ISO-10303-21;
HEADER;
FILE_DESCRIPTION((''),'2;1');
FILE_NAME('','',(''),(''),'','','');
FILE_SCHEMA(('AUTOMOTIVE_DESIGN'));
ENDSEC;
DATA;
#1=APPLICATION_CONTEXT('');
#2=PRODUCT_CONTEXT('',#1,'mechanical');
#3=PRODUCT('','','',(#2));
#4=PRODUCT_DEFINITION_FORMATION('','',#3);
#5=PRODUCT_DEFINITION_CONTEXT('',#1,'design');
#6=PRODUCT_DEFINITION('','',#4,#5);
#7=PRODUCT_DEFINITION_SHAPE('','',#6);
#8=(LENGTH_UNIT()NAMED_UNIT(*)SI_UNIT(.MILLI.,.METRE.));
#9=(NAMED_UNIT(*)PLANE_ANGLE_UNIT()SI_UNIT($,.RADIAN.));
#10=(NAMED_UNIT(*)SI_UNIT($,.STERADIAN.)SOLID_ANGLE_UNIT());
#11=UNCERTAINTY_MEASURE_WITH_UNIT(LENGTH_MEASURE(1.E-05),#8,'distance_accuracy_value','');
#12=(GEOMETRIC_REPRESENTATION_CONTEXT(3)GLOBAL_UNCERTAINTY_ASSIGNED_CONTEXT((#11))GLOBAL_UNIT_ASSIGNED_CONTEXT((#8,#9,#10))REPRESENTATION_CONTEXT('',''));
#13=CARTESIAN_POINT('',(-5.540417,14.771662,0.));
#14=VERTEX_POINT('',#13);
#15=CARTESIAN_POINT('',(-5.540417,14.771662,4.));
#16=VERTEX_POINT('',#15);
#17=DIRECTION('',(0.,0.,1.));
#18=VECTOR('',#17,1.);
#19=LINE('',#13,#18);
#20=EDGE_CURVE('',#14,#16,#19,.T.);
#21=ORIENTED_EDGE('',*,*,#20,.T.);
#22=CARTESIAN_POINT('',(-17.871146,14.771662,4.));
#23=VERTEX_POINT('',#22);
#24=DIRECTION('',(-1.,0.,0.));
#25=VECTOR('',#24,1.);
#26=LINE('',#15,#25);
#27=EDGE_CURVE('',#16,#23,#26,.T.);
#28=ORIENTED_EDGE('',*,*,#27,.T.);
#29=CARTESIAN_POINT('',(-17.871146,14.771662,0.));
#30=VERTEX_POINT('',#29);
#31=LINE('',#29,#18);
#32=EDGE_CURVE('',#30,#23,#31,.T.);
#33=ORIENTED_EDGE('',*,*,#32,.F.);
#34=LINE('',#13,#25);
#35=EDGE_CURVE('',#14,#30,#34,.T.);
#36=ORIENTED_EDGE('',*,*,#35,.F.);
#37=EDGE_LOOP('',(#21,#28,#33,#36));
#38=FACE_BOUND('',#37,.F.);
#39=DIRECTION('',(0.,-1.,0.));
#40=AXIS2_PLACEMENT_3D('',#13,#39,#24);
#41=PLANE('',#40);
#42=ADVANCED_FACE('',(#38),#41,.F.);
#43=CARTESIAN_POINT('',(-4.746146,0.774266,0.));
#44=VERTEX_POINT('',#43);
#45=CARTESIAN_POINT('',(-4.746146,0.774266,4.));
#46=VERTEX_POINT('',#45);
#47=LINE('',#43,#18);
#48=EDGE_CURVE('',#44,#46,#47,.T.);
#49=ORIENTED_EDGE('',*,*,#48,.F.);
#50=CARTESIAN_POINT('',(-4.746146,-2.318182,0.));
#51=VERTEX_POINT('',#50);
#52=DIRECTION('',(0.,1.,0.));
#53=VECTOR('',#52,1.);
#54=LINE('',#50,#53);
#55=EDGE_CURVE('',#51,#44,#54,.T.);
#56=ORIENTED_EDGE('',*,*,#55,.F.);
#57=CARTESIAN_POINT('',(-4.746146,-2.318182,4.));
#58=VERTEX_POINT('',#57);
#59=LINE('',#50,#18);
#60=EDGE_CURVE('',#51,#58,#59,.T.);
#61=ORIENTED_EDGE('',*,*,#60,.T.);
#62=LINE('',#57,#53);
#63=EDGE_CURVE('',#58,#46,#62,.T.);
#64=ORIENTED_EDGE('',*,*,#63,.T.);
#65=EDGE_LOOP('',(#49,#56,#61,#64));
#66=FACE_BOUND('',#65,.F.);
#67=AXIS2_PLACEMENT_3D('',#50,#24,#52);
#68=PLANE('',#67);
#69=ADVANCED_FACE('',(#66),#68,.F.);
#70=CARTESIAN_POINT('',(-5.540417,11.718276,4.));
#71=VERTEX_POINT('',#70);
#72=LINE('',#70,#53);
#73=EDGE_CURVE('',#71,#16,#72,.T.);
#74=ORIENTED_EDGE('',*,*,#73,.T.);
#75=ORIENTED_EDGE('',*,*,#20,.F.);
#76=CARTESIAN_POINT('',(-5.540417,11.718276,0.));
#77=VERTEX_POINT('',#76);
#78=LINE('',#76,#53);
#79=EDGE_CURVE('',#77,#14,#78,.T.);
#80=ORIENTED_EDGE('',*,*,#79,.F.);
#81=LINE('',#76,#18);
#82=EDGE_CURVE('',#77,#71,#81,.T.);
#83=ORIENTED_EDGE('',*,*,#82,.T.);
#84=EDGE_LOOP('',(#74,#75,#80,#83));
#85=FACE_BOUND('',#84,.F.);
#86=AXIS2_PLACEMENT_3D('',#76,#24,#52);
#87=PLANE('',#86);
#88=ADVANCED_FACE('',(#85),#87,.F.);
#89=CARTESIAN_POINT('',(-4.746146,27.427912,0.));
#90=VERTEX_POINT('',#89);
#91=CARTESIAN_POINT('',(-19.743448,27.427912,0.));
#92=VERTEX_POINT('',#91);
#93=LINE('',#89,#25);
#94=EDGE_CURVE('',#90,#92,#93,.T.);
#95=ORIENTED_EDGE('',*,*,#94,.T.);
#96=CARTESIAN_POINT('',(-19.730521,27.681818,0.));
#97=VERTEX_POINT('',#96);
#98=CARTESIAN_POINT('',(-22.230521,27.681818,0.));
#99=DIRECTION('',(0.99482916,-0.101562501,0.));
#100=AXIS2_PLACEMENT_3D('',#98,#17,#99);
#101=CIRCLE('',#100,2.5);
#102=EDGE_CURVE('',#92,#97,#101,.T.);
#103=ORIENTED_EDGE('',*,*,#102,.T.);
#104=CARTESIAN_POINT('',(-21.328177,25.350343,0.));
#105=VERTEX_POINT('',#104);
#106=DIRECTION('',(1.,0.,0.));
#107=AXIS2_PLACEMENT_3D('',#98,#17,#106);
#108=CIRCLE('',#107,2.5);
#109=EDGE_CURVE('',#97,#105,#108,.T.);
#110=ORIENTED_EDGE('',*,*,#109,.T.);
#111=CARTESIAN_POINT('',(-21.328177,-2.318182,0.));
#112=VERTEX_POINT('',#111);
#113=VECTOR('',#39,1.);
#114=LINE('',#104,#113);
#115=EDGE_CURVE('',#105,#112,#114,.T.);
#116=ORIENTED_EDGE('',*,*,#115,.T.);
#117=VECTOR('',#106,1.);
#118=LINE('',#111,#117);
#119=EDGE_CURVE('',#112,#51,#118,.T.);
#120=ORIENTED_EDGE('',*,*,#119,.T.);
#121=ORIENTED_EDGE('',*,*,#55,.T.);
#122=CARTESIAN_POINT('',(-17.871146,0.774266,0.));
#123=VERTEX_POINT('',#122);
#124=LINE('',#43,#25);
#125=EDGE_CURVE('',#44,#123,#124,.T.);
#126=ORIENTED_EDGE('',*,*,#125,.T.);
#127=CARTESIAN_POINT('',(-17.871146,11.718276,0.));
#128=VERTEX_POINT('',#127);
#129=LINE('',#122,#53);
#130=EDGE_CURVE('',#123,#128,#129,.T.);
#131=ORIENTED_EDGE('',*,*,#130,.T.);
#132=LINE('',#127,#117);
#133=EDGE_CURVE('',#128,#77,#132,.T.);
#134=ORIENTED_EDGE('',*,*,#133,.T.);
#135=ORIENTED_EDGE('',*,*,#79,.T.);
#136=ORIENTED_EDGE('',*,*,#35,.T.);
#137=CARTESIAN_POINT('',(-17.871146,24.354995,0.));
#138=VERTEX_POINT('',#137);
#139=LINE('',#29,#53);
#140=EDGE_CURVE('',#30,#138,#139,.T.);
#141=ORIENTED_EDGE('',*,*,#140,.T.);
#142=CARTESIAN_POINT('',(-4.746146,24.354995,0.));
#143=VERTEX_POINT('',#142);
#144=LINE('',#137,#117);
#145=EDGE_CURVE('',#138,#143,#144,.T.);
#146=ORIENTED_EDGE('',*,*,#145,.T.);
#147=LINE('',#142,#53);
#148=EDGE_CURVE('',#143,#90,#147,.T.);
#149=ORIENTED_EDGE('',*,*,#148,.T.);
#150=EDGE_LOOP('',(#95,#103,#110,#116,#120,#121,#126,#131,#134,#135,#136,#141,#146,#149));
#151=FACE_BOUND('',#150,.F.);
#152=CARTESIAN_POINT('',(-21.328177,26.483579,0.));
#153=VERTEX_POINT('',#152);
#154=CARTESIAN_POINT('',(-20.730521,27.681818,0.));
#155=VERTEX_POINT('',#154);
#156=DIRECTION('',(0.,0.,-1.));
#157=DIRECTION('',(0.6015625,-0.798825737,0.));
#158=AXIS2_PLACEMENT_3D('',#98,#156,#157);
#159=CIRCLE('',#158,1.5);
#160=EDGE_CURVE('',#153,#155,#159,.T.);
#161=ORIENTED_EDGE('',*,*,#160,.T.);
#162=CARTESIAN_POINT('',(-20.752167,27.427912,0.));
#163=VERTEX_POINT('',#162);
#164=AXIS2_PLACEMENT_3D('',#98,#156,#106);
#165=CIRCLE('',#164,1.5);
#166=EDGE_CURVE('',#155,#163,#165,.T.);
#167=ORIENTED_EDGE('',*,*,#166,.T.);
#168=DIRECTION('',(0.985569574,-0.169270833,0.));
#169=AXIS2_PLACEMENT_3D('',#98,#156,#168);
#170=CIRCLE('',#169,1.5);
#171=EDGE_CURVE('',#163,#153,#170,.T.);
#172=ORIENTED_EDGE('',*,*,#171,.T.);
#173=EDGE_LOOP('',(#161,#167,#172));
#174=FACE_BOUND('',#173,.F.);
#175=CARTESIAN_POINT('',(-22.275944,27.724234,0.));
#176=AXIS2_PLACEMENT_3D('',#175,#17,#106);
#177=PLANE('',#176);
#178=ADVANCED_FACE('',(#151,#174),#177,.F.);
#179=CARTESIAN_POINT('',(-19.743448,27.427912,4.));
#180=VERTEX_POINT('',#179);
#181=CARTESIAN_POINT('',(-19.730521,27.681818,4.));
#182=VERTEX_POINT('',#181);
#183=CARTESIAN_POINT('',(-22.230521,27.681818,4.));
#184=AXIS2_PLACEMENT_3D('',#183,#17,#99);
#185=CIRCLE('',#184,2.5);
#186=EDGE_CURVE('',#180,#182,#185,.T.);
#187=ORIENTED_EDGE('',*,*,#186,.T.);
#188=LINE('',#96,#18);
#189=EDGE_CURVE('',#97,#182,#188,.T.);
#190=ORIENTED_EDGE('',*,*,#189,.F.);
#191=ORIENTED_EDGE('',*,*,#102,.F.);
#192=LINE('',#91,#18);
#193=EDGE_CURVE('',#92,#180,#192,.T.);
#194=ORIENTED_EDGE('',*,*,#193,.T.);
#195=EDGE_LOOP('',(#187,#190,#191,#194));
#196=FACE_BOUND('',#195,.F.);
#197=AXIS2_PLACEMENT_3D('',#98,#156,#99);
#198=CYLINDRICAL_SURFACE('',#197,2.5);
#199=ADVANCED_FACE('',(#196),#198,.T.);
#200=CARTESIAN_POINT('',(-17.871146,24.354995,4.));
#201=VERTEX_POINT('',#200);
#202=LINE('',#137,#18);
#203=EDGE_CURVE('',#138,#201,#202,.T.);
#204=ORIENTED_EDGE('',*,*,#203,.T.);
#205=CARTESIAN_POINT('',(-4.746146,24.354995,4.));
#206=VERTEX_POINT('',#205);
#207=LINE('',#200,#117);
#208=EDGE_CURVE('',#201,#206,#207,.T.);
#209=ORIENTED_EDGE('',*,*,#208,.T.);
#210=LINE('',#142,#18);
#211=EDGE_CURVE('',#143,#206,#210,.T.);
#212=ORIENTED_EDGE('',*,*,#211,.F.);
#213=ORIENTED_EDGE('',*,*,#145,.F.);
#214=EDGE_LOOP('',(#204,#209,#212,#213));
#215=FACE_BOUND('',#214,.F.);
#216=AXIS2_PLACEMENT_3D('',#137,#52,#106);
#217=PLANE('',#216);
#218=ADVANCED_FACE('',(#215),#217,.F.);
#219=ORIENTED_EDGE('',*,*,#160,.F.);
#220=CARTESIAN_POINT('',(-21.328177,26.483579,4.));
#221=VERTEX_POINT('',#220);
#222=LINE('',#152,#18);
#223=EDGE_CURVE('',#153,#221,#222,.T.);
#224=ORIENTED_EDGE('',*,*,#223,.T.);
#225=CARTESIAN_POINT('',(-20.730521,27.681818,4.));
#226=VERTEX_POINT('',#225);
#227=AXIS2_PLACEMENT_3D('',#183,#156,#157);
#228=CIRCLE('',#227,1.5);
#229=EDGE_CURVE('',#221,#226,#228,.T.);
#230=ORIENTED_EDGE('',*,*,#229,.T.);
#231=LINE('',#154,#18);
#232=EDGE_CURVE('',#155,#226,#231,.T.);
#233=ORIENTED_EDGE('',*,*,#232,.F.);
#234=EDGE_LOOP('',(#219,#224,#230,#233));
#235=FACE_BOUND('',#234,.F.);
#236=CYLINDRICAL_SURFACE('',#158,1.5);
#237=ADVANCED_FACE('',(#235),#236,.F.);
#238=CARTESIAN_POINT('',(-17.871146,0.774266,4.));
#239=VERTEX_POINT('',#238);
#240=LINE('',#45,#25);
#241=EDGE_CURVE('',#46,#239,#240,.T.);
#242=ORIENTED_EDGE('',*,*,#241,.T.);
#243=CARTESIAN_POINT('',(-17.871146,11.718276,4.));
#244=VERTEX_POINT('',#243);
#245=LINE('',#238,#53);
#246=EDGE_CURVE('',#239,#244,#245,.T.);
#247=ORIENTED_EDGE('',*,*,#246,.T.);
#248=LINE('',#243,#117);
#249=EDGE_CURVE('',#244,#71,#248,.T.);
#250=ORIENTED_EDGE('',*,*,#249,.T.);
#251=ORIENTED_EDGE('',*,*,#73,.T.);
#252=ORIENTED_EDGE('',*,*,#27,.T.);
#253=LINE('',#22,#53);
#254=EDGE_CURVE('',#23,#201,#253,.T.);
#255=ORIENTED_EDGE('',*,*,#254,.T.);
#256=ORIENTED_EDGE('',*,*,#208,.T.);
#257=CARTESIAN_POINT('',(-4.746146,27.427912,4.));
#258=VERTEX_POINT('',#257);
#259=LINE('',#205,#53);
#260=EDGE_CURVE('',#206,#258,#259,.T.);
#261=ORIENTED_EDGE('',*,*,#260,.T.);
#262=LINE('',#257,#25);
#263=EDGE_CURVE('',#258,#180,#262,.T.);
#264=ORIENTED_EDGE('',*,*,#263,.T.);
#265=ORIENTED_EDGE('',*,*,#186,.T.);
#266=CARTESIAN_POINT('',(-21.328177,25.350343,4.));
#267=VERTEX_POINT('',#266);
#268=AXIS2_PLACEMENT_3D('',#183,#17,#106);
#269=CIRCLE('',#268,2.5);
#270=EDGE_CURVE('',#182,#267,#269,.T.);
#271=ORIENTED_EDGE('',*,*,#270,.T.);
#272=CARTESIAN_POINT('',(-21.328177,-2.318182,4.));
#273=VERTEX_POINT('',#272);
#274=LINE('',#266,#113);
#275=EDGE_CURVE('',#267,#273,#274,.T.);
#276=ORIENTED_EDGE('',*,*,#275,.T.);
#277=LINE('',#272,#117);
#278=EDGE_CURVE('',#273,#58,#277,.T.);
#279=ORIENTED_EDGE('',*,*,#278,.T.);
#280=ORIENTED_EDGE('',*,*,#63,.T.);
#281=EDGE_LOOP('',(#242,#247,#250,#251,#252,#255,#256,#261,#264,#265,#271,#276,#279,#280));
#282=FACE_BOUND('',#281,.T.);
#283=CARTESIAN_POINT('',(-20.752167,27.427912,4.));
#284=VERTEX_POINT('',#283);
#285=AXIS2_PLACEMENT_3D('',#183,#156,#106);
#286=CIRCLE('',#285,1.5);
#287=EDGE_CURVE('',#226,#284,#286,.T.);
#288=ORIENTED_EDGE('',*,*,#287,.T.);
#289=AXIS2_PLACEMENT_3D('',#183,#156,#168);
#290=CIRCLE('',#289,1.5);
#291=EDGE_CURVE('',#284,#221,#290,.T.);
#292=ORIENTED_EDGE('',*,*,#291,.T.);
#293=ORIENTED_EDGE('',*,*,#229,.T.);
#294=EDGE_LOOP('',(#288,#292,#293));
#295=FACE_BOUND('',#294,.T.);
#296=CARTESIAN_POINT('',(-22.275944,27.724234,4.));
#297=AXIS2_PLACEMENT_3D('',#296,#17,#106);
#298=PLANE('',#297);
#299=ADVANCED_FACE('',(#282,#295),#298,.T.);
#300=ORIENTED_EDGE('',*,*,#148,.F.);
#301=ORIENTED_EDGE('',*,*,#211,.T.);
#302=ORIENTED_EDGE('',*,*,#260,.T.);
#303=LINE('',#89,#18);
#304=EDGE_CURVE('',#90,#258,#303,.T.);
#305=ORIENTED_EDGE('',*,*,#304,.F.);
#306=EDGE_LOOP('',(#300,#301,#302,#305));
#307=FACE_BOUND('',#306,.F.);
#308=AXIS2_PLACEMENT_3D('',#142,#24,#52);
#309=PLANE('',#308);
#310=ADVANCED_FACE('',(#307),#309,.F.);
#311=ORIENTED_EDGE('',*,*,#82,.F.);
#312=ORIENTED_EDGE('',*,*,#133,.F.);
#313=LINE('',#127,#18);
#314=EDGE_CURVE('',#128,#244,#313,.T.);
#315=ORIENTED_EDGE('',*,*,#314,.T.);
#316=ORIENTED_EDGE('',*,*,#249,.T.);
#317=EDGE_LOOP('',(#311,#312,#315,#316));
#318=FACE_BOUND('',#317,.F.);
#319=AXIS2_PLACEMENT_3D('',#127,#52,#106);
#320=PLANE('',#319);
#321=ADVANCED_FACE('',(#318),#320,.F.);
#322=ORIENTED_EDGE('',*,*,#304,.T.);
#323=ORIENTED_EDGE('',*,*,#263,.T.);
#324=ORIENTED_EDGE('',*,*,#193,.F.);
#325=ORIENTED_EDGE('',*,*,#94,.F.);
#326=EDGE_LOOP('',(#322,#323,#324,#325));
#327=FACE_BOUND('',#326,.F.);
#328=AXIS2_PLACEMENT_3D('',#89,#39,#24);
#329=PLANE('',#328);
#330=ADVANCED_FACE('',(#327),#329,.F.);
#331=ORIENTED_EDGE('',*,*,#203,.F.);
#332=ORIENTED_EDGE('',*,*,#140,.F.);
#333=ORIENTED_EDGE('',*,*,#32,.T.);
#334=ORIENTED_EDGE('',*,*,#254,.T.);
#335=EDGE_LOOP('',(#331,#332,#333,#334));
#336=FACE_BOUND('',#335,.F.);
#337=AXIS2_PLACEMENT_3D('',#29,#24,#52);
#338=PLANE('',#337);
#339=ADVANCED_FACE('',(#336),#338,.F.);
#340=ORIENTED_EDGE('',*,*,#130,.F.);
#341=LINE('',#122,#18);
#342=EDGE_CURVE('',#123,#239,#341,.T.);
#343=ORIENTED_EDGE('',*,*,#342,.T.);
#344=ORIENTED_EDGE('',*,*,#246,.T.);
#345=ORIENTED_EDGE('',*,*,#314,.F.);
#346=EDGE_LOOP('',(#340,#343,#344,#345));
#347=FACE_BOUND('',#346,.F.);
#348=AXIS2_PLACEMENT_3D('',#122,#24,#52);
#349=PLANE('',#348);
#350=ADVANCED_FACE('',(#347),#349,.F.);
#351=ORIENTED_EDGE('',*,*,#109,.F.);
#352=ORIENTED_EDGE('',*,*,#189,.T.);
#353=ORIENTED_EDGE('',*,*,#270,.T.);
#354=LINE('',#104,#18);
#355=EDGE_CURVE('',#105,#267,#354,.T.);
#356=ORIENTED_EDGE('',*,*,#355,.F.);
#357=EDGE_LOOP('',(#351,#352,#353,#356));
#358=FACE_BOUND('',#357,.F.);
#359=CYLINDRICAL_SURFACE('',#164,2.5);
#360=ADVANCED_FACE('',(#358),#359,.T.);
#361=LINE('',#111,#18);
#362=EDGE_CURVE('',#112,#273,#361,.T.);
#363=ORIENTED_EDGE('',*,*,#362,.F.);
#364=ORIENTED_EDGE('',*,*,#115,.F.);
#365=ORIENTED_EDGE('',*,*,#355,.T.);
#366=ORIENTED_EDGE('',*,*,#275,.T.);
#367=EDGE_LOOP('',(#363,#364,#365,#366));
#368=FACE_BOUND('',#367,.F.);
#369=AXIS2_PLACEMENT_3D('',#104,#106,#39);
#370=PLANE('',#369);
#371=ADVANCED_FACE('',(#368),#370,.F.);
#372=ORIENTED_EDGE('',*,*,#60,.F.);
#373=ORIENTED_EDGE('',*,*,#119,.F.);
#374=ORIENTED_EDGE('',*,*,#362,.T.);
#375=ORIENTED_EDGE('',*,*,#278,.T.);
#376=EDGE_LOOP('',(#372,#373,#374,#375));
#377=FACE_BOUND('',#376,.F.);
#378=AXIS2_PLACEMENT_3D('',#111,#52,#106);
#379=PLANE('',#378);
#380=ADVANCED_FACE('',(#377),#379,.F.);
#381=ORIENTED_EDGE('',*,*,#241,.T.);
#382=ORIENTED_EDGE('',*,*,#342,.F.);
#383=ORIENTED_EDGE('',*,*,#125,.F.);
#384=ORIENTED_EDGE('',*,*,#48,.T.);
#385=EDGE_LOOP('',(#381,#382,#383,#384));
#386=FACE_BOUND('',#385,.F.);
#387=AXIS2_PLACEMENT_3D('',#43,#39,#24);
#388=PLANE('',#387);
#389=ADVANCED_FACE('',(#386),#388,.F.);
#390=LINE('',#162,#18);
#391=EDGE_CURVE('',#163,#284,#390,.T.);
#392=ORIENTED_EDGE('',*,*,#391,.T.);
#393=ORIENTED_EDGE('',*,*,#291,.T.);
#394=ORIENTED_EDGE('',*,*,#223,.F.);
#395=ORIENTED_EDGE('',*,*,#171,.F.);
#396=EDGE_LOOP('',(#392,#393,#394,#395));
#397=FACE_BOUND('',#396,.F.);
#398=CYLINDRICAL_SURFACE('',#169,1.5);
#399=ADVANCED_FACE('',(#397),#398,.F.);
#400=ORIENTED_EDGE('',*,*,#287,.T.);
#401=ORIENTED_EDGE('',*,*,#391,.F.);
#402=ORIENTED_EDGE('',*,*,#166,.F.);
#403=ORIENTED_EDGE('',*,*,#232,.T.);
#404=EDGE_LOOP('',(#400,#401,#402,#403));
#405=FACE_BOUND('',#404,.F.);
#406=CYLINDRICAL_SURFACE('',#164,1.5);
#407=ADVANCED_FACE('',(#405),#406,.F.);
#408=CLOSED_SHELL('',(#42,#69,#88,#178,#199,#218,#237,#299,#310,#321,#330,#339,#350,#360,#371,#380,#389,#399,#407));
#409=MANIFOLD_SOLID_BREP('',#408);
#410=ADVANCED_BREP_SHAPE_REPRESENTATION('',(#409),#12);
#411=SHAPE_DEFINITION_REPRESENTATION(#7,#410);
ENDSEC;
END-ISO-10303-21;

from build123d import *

# Parameters (mm, degrees)
F1_DEPTH = 4


with BuildPart() as f1:
    # F0 (on Top) → F1 (new body)
    with BuildSketch(Plane.XY):
        with BuildLine():
            ThreePointArc((-21.3281772584, 26.4835794998), (-23.5728167331, 28.3513270209), (-20.7305210084, 27.6818181058))
            ThreePointArc((-20.7305210084, 27.6818181058), (-20.7359422147, 27.5544044904), (-20.7521666475, 27.4279118558))
            Line((-20.7521666475, 27.4279118558), (-19.7434481071, 27.4279118558))
            ThreePointArc((-19.7434481071, 27.4279118558), (-19.7337548746, 27.5547005483), (-19.7305210084, 27.6818181058))
            ThreePointArc((-19.7305210084, 27.6818181058), (-24.2927842524, 29.0949954876), (-21.3281772584, 25.3503430883))
            Line((-21.3281772584, 25.3503430883), (-21.3281772584, 26.4835794998))
        make_face()
        with BuildLine():
            ThreePointArc((-20.7521666475, 27.4279118558), (-20.949946226, 26.9007110538), (-21.3281772584, 26.4835794998))
            Line((-21.3281772584, 26.4835794998), (-21.3281772584, 25.3503430883))
            ThreePointArc((-21.3281772584, 25.3503430883), (-20.2427812606, 26.165608788), (-19.7434481071, 27.4279118558))
            Line((-19.7434481071, 27.4279118558), (-20.7521666475, 27.4279118558))
        make_face()
        with BuildLine():
            ThreePointArc((-19.7434481071, 27.4279118558), (-20.2427812606, 26.165608788), (-21.3281772584, 25.3503430883))
            Line((-21.3281772584, 25.3503430883), (-21.3281772584, -2.3181818942))
            Line((-21.3281772584, -2.3181818942), (-4.7461460084, -2.3181818942))
            Line((-4.7461460084, -2.3181818942), (-4.7461460084, 0.7742660224))
            Line((-4.7461460084, 0.7742660224), (-17.8711460084, 0.7742660224))
            Line((-17.8711460084, 0.7742660224), (-17.8711460084, 11.7182764391))
            Line((-17.8711460084, 11.7182764391), (-5.5404168417, 11.7182764391))
            Line((-5.5404168417, 11.7182764391), (-5.5404168417, 14.7716618558))
            Line((-5.5404168417, 14.7716618558), (-17.8711460084, 14.7716618558))
            Line((-17.8711460084, 14.7716618558), (-17.8711460084, 24.3549951891))
            Line((-17.8711460084, 24.3549951891), (-4.7461460084, 24.3549951891))
            Line((-4.7461460084, 24.3549951891), (-4.7461460084, 27.4279118558))
            Line((-4.7461460084, 27.4279118558), (-19.7434481071, 27.4279118558))
        make_face()
    extrude(amount=F1_DEPTH)


solid = f1.part
